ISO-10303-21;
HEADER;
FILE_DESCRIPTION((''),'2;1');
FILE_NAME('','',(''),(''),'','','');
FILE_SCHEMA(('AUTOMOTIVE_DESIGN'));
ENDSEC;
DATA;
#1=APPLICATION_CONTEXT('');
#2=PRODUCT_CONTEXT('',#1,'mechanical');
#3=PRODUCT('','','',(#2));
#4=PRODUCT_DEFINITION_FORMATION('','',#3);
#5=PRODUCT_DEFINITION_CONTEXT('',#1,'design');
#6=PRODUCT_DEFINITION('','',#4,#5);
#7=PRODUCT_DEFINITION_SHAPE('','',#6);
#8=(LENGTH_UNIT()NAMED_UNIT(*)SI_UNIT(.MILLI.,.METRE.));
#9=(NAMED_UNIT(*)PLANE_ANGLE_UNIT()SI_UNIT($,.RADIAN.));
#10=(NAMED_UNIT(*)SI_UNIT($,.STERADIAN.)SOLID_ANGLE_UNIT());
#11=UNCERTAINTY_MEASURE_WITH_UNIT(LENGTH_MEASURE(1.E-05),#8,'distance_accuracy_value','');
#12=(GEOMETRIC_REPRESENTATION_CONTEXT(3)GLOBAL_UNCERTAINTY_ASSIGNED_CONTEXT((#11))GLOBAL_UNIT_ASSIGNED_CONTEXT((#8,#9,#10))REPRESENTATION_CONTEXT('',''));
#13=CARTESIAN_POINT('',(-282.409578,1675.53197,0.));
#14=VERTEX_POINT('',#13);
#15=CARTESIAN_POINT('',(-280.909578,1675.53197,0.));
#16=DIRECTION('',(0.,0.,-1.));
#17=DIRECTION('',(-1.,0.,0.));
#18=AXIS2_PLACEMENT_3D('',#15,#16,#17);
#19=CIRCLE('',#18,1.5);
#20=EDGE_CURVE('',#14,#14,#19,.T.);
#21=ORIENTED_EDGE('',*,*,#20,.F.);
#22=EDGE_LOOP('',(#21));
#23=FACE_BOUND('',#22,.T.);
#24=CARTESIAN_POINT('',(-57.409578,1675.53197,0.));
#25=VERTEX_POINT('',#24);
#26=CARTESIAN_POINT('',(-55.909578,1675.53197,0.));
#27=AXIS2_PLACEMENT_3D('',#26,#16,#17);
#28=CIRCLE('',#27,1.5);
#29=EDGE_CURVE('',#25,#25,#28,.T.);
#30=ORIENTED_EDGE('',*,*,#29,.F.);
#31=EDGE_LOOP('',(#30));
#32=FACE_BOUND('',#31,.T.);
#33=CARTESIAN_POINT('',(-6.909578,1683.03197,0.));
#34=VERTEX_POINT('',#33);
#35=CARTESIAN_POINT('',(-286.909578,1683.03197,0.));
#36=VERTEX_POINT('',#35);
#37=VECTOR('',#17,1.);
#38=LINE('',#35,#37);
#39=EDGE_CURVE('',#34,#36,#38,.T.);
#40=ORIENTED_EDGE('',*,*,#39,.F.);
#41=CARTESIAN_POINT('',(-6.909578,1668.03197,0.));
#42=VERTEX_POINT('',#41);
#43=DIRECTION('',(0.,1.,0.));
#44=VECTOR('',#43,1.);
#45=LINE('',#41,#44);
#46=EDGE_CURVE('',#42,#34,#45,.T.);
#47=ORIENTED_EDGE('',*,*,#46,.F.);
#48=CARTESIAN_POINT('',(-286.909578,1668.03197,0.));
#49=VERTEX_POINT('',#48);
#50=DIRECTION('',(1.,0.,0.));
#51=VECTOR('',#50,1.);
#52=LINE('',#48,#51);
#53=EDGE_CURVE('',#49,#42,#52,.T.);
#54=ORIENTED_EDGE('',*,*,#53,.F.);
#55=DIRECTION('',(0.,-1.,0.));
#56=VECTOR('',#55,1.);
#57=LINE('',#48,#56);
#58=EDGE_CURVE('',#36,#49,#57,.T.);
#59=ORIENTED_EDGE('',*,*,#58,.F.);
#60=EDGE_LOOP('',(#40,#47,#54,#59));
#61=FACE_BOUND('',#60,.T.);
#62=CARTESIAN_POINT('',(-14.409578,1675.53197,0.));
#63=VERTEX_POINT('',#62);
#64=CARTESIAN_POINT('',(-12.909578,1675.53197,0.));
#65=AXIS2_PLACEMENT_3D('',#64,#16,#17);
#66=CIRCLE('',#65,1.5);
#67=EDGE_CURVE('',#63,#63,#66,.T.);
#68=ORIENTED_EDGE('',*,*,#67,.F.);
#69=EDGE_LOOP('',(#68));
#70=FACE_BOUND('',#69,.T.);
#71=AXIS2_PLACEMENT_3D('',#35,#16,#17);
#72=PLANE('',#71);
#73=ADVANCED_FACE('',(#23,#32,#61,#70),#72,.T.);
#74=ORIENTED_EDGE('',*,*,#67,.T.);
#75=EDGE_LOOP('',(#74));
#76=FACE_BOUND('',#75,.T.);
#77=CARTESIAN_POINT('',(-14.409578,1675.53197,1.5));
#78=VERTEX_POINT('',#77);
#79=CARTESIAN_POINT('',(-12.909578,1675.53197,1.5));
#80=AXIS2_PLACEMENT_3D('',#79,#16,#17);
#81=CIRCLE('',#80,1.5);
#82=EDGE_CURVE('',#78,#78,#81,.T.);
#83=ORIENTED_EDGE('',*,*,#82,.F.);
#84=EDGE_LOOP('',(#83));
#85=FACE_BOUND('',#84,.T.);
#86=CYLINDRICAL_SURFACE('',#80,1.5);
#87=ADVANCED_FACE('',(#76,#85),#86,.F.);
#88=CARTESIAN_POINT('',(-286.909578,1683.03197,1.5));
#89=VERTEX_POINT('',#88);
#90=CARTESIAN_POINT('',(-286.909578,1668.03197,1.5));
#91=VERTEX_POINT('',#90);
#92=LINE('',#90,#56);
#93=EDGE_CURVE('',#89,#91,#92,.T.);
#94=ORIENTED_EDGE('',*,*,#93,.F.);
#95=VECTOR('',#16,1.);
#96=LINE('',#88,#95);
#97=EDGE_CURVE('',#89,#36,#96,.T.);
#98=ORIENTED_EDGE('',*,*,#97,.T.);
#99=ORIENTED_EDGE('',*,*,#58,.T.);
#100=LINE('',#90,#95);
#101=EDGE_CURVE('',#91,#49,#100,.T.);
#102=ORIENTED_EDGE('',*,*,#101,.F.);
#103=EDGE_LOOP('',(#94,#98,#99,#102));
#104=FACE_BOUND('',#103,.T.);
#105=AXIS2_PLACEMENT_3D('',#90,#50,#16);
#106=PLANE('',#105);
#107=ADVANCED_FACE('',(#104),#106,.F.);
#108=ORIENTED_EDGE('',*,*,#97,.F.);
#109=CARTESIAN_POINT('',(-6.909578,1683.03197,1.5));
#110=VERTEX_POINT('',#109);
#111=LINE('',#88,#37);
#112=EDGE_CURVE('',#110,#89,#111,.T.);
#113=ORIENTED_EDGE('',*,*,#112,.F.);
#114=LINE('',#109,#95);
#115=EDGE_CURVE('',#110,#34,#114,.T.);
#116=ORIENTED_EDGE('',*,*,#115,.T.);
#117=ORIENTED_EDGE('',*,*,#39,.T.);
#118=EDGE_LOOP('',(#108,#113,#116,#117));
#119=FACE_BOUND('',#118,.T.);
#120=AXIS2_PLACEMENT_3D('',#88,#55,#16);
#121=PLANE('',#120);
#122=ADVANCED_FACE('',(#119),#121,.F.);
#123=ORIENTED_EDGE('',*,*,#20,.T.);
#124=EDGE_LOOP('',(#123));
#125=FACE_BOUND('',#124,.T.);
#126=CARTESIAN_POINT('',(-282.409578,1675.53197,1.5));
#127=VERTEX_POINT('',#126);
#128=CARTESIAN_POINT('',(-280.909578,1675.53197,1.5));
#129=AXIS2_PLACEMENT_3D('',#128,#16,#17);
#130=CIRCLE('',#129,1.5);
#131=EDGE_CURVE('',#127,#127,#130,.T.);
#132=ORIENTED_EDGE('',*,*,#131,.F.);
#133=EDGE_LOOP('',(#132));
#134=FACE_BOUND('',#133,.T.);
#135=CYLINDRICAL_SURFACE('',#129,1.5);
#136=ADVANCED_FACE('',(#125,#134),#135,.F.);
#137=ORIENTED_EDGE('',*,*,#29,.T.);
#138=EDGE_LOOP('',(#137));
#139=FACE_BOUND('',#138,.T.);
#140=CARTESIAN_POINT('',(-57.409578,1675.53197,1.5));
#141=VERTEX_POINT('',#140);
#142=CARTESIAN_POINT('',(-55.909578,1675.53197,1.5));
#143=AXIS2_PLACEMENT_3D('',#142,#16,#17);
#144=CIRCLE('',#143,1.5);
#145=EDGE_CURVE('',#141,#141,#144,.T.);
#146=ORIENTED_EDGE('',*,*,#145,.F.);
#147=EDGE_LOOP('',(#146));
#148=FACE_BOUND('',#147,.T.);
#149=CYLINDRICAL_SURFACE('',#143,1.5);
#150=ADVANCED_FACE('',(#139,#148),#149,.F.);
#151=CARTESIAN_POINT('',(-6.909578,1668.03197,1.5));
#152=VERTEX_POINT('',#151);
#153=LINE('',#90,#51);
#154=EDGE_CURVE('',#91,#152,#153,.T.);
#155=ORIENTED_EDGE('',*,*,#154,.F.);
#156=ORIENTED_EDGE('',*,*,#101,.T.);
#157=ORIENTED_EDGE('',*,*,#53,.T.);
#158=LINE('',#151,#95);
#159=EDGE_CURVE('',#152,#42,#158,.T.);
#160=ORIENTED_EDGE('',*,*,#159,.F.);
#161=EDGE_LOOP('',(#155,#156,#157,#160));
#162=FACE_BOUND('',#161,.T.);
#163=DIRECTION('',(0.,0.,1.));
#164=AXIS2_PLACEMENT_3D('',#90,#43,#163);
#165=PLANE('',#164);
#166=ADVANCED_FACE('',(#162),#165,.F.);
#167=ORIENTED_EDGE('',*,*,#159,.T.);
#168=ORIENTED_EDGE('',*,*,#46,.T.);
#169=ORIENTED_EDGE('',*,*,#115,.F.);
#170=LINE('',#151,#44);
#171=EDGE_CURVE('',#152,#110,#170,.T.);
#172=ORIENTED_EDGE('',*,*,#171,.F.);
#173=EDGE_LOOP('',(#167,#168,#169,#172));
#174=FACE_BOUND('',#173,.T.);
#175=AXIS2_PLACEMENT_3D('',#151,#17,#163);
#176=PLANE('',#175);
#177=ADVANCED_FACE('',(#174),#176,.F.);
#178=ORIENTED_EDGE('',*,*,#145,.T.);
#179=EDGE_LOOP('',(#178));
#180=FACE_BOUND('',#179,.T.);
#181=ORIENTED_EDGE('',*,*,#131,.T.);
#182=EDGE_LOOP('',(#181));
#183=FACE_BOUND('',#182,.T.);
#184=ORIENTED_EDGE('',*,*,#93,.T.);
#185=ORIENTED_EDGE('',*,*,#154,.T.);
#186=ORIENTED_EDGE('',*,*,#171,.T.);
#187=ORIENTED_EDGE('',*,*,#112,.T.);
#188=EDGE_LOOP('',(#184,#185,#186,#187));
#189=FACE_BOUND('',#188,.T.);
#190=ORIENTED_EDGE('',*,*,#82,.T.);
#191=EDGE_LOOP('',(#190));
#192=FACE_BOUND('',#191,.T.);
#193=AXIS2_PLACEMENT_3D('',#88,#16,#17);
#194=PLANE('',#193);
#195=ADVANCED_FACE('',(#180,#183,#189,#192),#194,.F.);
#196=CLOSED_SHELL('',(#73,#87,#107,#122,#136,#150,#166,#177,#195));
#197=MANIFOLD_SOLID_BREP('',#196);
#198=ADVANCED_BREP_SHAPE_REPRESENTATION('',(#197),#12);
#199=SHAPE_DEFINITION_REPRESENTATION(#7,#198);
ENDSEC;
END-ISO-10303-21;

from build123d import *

# Parameters (mm, degrees)
ESQUISSE1_W      = 280
ESQUISSE1_H      = 15
EXTRUSION1_DEPTH = 1.5
ESQUISSE2_R      = 1.5
EXTRUSION2_DEPTH = 1.5


with BuildPart() as part:
    # Esquisse1 → Extrusion1 (new body)
    with BuildSketch(Plane.XY):
        with Locations((-146.909577855, 1675.531969937)):
            Rectangle(ESQUISSE1_W, ESQUISSE1_H)
    extrude(amount=EXTRUSION1_DEPTH)

    # Esquisse2 → Extrusion2 (cut)
    with BuildSketch(Plane(origin=(0, 0, 0), x_dir=(-1, 0, 0), z_dir=(0, 0, -1))):
        with Locations((280.909577855, 1675.531969937)):
            Circle(ESQUISSE2_R)
        with Locations((12.909577855, 1675.531969937)):
            Circle(ESQUISSE2_R)
        with Locations((55.909577855, 1675.531969937)):
            Circle(ESQUISSE2_R)
    extrude(amount=-EXTRUSION2_DEPTH, mode=Mode.SUBTRACT)


solid = part.part
